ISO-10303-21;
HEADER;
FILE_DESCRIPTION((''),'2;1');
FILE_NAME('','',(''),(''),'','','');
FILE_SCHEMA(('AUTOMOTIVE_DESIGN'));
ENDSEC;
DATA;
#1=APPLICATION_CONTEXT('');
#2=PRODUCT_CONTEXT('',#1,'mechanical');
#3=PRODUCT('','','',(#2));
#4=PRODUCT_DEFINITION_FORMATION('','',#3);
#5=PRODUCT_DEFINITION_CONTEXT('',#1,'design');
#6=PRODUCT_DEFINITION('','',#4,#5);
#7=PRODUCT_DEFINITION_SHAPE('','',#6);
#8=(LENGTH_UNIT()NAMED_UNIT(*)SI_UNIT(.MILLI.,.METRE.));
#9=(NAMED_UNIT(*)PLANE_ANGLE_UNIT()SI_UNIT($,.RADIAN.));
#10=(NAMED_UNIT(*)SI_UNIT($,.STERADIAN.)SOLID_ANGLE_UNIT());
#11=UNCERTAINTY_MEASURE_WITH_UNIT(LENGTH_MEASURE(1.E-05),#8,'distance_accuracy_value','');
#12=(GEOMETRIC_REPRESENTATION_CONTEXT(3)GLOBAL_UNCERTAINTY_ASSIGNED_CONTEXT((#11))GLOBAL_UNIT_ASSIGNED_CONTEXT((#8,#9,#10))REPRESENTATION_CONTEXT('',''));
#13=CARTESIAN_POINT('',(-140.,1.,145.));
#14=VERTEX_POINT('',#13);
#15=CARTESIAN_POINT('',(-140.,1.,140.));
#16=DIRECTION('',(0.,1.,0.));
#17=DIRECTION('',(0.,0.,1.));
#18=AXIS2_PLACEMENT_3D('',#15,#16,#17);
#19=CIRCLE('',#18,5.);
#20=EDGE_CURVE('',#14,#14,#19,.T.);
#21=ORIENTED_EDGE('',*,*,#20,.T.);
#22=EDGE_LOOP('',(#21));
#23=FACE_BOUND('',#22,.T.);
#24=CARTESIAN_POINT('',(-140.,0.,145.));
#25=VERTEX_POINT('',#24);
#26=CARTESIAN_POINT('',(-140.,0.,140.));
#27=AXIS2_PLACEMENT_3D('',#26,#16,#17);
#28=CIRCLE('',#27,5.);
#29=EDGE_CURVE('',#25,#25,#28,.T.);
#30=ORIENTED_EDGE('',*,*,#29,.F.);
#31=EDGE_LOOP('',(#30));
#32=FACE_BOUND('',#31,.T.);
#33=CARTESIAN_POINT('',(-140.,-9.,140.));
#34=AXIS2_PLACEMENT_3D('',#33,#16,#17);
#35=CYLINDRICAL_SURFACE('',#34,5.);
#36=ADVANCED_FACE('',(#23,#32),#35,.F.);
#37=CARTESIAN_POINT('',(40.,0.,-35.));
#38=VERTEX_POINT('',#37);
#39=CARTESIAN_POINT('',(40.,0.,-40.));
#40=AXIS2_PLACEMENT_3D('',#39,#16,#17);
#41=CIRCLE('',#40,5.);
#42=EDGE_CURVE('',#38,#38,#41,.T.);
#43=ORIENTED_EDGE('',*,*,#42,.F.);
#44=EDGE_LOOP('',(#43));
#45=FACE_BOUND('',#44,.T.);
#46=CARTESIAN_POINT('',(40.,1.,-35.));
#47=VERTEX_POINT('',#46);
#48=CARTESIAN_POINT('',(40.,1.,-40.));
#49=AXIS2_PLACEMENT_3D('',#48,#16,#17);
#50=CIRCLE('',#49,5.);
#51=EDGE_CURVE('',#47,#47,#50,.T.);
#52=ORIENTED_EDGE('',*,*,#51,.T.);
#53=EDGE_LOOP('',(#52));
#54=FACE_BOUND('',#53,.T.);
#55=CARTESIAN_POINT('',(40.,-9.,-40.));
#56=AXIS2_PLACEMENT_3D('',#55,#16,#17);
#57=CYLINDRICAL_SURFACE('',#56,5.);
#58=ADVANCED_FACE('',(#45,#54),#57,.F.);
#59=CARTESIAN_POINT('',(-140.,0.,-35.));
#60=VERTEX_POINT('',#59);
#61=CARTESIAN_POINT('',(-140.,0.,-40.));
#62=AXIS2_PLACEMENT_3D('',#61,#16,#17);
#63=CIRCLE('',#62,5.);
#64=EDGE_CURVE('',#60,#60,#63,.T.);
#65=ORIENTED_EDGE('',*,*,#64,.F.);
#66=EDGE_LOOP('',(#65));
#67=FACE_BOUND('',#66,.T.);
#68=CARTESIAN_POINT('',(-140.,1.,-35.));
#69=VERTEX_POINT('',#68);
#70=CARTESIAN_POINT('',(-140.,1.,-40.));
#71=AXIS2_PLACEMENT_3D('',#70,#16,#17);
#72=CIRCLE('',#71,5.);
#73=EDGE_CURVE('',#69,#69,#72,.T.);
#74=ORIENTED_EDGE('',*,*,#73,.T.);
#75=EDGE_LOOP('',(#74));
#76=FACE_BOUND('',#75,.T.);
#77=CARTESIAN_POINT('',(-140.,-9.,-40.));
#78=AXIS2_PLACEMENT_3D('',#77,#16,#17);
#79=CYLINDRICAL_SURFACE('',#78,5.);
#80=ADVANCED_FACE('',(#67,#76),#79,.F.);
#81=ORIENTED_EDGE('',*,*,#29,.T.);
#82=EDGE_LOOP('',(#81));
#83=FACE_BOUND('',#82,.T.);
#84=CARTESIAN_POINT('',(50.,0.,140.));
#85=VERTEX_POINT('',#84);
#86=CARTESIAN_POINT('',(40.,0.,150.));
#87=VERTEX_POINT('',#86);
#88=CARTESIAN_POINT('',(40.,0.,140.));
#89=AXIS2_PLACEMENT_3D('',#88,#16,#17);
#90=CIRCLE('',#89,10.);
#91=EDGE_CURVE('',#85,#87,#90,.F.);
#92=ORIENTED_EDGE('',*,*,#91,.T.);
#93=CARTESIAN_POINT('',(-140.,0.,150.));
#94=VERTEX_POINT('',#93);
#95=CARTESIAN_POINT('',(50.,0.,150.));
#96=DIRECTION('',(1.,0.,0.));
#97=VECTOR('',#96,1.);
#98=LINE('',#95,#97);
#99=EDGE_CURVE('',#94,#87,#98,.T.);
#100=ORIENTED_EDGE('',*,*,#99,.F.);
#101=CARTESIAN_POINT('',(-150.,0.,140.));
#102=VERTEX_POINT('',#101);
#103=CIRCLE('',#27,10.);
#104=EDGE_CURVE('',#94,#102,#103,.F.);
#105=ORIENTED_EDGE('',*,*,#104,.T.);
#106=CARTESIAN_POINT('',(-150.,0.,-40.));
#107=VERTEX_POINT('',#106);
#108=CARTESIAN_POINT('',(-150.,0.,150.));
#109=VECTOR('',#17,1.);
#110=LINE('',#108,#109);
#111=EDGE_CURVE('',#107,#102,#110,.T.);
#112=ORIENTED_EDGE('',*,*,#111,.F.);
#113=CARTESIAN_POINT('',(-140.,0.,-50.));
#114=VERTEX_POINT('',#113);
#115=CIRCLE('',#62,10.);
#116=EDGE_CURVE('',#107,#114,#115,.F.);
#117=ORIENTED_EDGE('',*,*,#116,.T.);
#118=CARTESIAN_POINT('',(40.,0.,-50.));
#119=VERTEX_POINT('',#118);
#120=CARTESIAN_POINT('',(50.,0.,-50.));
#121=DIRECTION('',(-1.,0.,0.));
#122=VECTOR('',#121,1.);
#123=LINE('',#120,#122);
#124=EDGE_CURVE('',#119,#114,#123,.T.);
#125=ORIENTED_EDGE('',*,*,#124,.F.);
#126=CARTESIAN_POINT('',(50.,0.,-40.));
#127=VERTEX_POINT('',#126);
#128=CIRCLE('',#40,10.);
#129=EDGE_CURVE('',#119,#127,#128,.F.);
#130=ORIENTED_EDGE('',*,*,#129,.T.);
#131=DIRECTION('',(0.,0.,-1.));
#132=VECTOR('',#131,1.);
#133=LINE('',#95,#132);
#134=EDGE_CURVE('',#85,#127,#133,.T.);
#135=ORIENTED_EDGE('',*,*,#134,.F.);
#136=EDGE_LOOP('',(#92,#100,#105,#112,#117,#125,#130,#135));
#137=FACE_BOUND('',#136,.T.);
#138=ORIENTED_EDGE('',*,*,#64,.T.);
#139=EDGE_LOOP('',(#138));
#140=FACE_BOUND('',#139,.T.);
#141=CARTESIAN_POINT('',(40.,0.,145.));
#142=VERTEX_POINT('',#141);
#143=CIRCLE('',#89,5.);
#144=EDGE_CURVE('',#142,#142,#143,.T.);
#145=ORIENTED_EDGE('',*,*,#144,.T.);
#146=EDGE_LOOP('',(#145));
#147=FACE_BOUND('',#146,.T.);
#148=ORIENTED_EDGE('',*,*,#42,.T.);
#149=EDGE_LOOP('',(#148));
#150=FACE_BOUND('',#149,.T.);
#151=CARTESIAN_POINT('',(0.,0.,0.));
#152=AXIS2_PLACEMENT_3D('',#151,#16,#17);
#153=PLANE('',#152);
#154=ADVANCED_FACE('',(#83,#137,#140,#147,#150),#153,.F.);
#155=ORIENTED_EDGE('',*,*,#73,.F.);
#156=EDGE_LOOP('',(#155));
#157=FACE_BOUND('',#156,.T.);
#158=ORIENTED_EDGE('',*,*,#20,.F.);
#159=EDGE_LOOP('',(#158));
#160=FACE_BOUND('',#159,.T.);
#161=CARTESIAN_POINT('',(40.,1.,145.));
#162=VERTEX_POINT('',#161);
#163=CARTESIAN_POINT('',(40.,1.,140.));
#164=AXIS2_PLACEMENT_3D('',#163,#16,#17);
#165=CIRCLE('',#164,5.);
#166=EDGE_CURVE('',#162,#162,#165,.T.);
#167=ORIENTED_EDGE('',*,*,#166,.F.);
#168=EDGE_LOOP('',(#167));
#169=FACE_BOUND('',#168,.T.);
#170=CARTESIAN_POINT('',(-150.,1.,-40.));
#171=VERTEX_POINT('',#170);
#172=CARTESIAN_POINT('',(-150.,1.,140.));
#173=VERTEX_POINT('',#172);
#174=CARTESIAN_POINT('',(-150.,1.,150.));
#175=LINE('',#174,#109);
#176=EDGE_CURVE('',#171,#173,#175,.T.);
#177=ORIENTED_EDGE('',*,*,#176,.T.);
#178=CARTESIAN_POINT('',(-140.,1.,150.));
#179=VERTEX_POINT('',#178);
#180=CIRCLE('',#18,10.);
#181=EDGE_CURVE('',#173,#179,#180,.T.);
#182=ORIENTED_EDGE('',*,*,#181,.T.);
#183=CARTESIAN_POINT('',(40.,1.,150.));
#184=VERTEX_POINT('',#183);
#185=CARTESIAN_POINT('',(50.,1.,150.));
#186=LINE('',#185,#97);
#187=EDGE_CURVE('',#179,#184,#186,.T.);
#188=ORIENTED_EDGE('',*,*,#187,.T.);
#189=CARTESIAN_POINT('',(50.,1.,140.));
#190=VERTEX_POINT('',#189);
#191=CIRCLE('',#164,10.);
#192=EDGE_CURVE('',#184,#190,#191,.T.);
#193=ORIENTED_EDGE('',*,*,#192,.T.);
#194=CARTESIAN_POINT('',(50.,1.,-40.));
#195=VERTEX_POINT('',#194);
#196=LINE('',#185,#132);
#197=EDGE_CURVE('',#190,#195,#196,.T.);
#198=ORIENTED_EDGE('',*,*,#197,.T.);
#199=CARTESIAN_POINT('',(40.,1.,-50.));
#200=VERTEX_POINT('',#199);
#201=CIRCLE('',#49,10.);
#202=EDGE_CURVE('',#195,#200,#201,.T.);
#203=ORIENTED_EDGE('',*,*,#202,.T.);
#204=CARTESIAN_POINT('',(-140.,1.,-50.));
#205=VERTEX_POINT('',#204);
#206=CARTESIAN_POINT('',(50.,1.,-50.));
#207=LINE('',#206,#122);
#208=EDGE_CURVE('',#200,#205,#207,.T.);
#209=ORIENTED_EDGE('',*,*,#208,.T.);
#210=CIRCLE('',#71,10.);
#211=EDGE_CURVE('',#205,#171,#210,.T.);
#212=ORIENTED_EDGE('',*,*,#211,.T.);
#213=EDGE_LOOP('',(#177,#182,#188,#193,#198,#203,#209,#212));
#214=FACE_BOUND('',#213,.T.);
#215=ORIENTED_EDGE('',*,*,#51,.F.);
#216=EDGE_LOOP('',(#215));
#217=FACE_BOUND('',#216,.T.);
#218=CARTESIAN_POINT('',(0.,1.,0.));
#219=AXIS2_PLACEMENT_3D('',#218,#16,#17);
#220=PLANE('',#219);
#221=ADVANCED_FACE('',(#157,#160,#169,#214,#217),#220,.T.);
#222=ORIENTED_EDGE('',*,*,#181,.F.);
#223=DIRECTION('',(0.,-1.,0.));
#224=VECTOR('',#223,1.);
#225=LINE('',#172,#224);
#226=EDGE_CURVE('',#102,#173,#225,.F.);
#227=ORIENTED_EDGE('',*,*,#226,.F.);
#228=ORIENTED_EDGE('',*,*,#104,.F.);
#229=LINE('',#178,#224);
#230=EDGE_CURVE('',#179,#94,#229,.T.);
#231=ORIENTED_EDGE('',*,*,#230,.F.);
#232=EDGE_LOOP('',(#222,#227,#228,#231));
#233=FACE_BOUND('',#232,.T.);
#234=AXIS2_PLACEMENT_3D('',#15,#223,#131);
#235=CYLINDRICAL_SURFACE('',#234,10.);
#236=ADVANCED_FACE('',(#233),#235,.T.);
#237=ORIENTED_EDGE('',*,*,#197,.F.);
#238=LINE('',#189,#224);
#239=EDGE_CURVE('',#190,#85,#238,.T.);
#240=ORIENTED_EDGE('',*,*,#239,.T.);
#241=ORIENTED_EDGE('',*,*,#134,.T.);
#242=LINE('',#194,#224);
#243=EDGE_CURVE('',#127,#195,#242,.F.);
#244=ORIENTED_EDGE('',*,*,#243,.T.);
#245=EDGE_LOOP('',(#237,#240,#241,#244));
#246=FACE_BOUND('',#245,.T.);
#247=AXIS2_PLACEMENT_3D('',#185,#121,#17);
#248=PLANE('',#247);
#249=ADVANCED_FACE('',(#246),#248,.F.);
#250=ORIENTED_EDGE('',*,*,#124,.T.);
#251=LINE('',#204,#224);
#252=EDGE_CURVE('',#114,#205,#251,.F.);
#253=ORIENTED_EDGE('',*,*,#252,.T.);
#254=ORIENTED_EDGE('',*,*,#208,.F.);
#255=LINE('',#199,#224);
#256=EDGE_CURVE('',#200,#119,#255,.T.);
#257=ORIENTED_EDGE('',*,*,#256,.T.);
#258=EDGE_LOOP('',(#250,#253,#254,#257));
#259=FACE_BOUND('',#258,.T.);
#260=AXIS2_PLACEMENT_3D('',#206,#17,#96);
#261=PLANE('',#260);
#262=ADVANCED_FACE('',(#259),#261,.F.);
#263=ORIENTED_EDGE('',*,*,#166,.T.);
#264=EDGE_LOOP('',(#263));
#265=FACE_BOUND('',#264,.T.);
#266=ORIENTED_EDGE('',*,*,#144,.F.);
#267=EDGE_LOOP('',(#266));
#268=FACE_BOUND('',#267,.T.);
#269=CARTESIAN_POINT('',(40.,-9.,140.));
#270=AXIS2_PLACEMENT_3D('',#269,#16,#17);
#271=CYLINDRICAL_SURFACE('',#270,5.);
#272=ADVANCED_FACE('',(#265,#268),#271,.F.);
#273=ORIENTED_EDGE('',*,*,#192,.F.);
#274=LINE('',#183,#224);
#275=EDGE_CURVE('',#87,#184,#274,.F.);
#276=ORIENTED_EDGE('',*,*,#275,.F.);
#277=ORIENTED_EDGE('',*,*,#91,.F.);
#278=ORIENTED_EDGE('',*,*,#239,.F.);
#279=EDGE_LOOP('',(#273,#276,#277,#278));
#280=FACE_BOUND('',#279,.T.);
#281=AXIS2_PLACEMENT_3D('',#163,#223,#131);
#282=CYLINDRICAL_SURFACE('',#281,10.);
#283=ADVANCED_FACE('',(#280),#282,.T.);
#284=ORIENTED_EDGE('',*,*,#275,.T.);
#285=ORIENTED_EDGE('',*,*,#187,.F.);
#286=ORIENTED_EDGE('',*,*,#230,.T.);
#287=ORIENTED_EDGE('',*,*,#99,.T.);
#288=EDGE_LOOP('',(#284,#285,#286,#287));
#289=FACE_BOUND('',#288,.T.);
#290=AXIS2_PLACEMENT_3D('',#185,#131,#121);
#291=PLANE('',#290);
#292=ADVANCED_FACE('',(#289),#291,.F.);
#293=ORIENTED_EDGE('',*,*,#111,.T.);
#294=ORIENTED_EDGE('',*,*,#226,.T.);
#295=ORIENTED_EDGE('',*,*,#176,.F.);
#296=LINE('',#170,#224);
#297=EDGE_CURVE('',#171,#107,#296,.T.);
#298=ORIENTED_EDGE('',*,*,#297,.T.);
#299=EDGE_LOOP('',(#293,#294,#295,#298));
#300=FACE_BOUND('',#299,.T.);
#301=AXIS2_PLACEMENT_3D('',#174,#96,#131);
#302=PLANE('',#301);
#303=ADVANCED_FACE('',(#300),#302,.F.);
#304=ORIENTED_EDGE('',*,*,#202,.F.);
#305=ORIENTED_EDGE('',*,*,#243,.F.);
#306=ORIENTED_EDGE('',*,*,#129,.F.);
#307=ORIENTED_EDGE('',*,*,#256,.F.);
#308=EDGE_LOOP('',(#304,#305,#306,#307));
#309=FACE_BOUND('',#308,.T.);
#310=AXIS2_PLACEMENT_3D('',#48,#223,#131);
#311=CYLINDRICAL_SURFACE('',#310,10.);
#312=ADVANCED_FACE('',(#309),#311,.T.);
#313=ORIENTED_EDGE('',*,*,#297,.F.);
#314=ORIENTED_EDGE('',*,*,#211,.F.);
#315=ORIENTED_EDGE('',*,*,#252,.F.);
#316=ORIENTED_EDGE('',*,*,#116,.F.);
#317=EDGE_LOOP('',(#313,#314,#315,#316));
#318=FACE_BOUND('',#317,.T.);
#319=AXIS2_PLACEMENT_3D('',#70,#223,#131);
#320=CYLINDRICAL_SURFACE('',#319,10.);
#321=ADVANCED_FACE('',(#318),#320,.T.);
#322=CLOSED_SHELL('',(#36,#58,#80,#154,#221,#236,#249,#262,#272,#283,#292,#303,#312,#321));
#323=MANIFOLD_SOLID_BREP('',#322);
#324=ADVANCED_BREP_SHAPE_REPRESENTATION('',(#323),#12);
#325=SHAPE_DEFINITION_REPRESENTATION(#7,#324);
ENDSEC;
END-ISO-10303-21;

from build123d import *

# Parameters (mm, degrees)
SKETCH3_W           = 200
SKETCH3_H           = 200
BOSS_EXTRUDE1_DEPTH = 1
FILLET1_R           = 10
SKETCH4_R           = 5
CUT_EXTRUDE1_DEPTH  = 10


with BuildPart() as part:
    # Sketch3 → Boss-Extrude1 (new body)
    with BuildSketch(Plane(origin=(0, 0, 0), x_dir=(1, 0, 0), z_dir=(0, 1, 0))):
        with Locations((-50, -50)):
            Rectangle(SKETCH3_W, SKETCH3_H)
    extrude(amount=BOSS_EXTRUDE1_DEPTH)

    # Fillet1
    fillet1_edges = [part.edges().sort_by_distance(p)[0] for p in [
        (-150, 0.5, -50),
        (50, 0.5, -50),
        (50, 0.5, 150),
        (-150, 0.5, 150),
    ]]
    fillet(fillet1_edges, radius=FILLET1_R)

    # Sketch4 → Cut-Extrude1 (cut)
    with BuildSketch(Plane(origin=(0, 1, 0), x_dir=(1, 0, 0), z_dir=(0, 1, 0))):
        with Locations(Location((-140, 40, 0), (0, 0, 270))):
            Circle(SKETCH4_R)
        with Locations(Location((40, 40, 0), (0, 0, 270))):
            Circle(SKETCH4_R)
        with Locations(Location((-140, -140, 0), (0, 0, 270))):
            Circle(SKETCH4_R)
        with Locations(Location((40, -140, 0), (0, 0, 270))):
            Circle(SKETCH4_R)
    extrude(amount=-CUT_EXTRUDE1_DEPTH, mode=Mode.SUBTRACT)


solid = part.part
